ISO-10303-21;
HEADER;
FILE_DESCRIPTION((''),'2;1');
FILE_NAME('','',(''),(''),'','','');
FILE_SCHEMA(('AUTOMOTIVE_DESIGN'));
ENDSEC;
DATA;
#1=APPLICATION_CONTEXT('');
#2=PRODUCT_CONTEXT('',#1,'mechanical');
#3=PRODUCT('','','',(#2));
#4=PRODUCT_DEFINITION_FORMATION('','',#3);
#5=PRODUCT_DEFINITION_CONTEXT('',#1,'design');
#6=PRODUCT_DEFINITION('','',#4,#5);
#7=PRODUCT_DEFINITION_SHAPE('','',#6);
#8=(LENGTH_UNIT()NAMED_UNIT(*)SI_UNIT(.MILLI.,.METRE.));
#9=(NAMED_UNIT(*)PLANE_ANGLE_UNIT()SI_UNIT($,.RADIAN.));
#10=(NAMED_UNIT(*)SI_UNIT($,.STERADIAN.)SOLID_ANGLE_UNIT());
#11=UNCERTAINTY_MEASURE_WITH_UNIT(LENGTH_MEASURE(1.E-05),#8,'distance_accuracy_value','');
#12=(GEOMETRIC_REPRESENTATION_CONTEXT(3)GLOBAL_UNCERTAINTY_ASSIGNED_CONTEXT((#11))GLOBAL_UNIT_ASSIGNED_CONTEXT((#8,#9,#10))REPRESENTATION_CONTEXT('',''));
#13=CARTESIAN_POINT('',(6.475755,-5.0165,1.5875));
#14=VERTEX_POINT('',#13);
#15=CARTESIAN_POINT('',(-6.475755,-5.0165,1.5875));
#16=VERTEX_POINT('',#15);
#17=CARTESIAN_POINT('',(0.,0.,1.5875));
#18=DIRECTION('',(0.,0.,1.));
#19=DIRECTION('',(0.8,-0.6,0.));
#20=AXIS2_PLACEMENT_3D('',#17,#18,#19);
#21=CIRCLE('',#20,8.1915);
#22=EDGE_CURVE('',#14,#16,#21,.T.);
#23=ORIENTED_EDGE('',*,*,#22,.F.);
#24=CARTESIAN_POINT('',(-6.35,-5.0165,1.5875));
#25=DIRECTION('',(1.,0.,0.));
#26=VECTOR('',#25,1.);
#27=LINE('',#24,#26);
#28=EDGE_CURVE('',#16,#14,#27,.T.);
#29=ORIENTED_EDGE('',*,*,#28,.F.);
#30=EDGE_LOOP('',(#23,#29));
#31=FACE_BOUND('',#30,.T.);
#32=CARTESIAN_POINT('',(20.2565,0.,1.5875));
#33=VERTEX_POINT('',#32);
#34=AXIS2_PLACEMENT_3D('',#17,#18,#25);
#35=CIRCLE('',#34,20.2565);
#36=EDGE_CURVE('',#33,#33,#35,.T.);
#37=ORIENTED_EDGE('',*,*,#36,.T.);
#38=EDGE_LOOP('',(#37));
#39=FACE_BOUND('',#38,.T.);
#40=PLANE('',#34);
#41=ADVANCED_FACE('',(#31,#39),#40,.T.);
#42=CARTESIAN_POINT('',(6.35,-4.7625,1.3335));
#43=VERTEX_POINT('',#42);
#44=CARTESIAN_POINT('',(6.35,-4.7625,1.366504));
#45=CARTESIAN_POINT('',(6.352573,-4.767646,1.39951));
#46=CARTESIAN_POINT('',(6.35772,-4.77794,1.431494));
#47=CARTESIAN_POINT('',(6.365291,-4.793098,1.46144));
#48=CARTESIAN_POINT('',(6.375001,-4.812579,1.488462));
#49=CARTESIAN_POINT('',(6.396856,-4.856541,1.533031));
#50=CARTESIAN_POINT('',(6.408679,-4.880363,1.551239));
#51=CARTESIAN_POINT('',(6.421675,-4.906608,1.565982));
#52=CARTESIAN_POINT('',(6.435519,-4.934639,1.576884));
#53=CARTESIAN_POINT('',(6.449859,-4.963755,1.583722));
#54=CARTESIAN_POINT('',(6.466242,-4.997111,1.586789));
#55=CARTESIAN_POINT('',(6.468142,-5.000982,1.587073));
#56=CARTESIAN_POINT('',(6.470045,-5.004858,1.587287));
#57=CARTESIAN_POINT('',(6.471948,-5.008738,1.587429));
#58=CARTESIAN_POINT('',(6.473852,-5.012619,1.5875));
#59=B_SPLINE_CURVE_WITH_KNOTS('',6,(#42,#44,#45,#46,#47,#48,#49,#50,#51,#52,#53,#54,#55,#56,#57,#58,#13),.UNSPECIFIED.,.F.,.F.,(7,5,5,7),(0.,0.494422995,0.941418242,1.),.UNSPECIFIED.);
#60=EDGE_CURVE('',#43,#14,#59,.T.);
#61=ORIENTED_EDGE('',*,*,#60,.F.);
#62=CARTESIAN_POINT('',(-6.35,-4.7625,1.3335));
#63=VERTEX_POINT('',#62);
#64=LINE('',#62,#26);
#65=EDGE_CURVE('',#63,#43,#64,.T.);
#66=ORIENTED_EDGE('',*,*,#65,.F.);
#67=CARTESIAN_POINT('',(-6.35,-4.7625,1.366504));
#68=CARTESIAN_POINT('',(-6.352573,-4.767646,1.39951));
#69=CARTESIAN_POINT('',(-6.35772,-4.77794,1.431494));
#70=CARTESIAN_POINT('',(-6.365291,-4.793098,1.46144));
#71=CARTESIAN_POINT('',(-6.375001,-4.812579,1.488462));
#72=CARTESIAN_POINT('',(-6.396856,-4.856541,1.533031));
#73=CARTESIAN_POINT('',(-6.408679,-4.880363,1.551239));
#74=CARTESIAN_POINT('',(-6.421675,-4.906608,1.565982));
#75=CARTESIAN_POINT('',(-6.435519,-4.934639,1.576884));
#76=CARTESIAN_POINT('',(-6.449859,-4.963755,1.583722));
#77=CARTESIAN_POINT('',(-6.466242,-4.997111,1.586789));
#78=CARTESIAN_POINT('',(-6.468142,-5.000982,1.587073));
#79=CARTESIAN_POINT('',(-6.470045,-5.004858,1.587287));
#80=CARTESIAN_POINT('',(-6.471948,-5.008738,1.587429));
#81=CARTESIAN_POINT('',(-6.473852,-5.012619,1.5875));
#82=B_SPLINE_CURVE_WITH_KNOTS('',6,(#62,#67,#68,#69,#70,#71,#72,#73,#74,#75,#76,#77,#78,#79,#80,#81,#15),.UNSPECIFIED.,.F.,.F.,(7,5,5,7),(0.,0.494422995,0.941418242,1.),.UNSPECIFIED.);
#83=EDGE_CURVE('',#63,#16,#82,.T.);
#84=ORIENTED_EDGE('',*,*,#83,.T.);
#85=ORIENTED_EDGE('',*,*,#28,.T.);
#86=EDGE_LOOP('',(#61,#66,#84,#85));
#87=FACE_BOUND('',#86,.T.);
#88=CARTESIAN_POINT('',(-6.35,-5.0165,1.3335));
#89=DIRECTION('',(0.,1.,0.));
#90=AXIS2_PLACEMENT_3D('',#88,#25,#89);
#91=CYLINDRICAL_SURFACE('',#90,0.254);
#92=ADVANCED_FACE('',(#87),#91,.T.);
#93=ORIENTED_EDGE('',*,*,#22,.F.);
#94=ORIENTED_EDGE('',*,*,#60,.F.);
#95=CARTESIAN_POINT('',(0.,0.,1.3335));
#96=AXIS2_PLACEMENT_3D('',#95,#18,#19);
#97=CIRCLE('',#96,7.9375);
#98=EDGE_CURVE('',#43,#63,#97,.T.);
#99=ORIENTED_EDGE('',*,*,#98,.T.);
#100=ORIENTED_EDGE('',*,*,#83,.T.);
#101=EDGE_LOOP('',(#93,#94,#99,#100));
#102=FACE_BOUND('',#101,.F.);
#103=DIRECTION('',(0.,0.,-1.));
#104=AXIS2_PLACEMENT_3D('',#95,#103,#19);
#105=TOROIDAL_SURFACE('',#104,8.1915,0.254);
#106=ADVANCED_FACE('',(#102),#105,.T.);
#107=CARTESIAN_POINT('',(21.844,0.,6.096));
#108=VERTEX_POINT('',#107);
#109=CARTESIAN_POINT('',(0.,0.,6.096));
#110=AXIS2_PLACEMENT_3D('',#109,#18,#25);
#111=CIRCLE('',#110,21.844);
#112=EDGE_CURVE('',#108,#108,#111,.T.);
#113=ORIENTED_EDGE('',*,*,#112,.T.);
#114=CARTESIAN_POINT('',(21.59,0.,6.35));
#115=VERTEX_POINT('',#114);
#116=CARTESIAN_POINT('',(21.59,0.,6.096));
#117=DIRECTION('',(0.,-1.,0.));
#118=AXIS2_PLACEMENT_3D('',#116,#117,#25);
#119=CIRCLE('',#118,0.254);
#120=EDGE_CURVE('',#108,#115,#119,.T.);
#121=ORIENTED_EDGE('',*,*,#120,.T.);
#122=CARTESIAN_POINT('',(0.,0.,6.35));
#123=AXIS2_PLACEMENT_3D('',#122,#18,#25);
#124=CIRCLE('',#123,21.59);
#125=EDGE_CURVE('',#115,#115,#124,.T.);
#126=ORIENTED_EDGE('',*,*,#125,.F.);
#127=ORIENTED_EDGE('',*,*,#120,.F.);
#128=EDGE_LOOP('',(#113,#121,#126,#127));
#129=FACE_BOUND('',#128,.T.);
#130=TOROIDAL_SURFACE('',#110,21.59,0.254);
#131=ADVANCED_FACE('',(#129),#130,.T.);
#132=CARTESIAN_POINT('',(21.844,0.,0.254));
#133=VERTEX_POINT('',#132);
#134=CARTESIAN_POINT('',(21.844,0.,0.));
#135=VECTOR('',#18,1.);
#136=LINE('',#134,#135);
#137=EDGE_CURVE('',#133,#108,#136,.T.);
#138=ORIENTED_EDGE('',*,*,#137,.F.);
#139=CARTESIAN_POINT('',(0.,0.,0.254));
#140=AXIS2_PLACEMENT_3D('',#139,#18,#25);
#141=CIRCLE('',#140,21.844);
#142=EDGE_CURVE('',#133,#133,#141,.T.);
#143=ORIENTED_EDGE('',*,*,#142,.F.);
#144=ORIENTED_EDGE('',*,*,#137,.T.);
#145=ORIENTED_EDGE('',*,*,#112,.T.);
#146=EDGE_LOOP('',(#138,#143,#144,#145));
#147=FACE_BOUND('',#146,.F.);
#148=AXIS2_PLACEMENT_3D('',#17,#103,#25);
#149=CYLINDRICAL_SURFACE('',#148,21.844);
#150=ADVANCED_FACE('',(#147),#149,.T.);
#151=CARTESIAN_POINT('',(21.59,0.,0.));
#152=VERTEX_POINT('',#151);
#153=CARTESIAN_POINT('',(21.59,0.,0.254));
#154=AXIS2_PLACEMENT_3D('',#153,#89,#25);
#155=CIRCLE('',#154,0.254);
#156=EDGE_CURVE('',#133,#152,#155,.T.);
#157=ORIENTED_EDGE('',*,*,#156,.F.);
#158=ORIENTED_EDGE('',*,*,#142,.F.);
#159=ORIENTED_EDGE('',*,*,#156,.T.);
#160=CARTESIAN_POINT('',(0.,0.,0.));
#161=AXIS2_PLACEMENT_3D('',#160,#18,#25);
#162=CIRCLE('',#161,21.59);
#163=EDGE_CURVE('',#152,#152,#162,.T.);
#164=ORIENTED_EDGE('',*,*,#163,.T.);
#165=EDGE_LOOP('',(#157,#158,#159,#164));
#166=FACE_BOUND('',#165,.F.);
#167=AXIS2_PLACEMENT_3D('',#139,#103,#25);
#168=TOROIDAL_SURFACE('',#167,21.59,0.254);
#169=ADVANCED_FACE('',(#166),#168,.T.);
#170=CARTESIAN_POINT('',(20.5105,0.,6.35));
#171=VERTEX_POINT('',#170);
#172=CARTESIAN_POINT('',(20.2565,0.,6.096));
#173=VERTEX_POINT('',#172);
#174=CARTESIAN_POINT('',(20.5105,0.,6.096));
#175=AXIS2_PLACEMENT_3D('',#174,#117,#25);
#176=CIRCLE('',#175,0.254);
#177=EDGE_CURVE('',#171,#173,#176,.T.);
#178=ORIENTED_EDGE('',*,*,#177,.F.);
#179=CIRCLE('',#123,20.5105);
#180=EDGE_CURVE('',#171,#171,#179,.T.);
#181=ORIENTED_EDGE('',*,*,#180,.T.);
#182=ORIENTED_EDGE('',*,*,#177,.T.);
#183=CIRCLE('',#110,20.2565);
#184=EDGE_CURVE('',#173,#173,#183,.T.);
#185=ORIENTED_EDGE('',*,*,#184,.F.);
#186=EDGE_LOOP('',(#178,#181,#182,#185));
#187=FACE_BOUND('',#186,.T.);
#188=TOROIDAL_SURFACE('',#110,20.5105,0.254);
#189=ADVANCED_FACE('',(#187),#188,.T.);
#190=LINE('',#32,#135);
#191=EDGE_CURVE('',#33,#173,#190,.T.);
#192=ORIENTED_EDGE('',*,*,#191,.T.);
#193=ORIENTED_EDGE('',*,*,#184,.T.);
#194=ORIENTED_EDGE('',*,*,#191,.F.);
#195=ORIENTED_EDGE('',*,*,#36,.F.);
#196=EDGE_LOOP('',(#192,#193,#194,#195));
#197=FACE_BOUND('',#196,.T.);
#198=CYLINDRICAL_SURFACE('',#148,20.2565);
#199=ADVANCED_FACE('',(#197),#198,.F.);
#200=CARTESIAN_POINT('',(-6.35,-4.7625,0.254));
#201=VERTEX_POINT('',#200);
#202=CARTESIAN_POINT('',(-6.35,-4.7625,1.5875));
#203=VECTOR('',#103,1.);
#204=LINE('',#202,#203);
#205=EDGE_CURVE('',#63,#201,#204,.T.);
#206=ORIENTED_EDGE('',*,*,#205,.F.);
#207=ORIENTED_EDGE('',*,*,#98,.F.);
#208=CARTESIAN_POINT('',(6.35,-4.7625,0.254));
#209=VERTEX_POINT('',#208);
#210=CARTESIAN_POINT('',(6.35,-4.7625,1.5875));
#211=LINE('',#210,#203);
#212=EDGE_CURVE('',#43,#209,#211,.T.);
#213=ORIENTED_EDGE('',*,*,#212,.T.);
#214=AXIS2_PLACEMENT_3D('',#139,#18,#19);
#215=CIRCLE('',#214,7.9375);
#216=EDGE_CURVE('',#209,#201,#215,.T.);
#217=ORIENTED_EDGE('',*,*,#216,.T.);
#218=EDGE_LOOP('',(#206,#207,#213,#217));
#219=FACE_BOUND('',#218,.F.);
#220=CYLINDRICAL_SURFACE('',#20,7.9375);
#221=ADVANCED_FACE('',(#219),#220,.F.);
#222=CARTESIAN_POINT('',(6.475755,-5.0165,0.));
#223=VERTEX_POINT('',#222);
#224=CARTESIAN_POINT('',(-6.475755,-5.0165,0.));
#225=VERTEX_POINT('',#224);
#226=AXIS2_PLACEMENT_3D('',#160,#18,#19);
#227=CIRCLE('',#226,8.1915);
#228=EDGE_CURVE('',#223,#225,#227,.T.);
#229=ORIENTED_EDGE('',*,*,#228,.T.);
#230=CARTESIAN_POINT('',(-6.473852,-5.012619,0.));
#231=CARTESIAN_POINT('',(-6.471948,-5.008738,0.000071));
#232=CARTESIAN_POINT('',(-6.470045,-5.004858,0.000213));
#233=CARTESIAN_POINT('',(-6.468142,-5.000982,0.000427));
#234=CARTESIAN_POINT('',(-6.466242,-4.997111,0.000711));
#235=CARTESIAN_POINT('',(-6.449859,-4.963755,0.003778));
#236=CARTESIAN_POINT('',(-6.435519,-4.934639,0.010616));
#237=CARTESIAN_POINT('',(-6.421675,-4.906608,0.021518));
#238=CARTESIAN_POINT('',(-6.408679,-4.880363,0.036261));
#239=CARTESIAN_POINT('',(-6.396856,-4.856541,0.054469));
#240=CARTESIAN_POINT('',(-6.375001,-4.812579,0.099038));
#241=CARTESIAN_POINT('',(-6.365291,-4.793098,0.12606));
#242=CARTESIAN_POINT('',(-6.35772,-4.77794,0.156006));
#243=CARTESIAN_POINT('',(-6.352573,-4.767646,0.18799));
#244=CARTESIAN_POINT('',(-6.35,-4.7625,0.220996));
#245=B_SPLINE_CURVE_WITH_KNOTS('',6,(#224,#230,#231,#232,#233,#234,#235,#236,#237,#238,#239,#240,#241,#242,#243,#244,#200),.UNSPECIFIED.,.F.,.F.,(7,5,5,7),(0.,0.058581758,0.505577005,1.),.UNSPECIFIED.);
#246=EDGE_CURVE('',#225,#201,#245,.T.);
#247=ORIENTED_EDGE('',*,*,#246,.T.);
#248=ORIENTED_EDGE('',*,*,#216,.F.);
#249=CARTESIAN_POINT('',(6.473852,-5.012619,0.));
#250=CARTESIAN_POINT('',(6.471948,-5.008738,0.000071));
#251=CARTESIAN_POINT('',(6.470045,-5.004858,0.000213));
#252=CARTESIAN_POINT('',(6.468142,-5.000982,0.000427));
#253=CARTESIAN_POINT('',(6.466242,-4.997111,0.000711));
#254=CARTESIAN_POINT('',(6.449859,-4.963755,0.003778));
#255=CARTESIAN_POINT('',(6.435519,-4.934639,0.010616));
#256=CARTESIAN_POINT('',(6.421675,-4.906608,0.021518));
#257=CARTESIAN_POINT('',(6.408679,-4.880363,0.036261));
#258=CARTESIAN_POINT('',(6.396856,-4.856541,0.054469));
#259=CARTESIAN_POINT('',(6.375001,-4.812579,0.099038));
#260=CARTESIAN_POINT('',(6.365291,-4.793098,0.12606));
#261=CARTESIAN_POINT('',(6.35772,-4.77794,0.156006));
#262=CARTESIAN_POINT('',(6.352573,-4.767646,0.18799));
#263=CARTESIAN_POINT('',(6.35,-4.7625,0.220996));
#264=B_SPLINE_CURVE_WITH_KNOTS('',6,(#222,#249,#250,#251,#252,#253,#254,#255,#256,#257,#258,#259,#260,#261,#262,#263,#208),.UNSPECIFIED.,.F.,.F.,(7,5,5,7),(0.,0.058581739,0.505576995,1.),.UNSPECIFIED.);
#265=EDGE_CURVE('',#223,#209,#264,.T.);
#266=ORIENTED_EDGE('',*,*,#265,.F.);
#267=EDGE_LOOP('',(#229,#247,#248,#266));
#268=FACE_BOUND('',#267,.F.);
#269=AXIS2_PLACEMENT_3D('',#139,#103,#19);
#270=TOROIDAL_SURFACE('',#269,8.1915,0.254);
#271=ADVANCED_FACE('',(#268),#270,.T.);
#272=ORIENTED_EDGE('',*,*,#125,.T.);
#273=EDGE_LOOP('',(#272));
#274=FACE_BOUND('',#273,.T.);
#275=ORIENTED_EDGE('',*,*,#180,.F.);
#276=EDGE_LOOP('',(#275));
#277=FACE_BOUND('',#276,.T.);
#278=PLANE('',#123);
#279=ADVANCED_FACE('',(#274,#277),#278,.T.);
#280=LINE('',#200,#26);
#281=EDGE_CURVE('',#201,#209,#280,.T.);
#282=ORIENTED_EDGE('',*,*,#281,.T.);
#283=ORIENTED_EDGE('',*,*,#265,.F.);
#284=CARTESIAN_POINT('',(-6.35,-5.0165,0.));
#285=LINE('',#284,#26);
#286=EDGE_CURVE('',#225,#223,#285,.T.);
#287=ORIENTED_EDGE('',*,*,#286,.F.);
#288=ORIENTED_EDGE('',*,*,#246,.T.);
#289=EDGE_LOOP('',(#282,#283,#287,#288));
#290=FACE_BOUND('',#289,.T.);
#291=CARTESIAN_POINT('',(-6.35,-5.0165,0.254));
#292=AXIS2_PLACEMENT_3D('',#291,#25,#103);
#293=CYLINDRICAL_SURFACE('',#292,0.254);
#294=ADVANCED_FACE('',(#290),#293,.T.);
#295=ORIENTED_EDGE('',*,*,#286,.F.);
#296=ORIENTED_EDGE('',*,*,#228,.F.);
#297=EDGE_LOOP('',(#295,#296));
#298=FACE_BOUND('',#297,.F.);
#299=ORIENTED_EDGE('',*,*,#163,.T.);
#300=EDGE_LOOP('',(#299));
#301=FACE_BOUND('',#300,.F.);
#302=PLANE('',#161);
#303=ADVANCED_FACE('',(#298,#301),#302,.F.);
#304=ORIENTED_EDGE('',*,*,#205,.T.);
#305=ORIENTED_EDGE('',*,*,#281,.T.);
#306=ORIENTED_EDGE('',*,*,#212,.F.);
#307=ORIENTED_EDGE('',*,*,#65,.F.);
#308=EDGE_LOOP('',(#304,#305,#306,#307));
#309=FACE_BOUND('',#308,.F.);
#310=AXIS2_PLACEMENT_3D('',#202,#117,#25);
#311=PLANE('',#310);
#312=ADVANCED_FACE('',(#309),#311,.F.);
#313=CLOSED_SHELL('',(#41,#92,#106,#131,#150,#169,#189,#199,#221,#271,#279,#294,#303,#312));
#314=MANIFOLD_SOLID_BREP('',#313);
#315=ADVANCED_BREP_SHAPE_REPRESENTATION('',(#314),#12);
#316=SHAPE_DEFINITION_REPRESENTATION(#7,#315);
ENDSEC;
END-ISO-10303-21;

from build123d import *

# Parameters (mm, degrees)
F0_R     = 21.844
F1_DEPTH = 1.5875
F2_R     = 21.844
F2_R_2   = 20.2565
F3_DEPTH = 4.7625
F5_DEPTH = 25.4
F6_R     = 0.254


with BuildPart() as f1:
    # F0 (on Top) → F1 (new body)
    with BuildSketch(Plane.XY):
        Circle(F0_R)
    extrude(amount=F1_DEPTH)

    # F2 (on face) → F3 (join)
    with BuildSketch(Plane.XY.offset(1.5875)):
        Circle(F2_R)
        Circle(F2_R_2, mode=Mode.SUBTRACT)
    extrude(amount=F3_DEPTH)

    # F4 (on face) → F5 (cut)
    with BuildSketch(Plane.XY.offset(1.5875)):
        with BuildLine():
            Line((-6.35, -4.7625), (6.35, -4.7625))
            ThreePointArc((6.35, -4.7625), (0, 7.9375), (-6.35, -4.7625))
        make_face()
    extrude(amount=-F5_DEPTH, mode=Mode.SUBTRACT)

    # F6
    f6_edges = [f1.edges().sort_by_distance(p)[0] for p in [
        (-21.844, 0, 6.35),
        (-20.2565, 0, 6.35),
        (-21.844, 0, 0),
        (0, 7.9375, 1.5875),
        (0, -4.7625, 0),
        (0, 7.9375, 0),
        (0, -4.7625, 1.5875),
    ]]
    fillet(f6_edges, radius=F6_R)


solid = f1.part
